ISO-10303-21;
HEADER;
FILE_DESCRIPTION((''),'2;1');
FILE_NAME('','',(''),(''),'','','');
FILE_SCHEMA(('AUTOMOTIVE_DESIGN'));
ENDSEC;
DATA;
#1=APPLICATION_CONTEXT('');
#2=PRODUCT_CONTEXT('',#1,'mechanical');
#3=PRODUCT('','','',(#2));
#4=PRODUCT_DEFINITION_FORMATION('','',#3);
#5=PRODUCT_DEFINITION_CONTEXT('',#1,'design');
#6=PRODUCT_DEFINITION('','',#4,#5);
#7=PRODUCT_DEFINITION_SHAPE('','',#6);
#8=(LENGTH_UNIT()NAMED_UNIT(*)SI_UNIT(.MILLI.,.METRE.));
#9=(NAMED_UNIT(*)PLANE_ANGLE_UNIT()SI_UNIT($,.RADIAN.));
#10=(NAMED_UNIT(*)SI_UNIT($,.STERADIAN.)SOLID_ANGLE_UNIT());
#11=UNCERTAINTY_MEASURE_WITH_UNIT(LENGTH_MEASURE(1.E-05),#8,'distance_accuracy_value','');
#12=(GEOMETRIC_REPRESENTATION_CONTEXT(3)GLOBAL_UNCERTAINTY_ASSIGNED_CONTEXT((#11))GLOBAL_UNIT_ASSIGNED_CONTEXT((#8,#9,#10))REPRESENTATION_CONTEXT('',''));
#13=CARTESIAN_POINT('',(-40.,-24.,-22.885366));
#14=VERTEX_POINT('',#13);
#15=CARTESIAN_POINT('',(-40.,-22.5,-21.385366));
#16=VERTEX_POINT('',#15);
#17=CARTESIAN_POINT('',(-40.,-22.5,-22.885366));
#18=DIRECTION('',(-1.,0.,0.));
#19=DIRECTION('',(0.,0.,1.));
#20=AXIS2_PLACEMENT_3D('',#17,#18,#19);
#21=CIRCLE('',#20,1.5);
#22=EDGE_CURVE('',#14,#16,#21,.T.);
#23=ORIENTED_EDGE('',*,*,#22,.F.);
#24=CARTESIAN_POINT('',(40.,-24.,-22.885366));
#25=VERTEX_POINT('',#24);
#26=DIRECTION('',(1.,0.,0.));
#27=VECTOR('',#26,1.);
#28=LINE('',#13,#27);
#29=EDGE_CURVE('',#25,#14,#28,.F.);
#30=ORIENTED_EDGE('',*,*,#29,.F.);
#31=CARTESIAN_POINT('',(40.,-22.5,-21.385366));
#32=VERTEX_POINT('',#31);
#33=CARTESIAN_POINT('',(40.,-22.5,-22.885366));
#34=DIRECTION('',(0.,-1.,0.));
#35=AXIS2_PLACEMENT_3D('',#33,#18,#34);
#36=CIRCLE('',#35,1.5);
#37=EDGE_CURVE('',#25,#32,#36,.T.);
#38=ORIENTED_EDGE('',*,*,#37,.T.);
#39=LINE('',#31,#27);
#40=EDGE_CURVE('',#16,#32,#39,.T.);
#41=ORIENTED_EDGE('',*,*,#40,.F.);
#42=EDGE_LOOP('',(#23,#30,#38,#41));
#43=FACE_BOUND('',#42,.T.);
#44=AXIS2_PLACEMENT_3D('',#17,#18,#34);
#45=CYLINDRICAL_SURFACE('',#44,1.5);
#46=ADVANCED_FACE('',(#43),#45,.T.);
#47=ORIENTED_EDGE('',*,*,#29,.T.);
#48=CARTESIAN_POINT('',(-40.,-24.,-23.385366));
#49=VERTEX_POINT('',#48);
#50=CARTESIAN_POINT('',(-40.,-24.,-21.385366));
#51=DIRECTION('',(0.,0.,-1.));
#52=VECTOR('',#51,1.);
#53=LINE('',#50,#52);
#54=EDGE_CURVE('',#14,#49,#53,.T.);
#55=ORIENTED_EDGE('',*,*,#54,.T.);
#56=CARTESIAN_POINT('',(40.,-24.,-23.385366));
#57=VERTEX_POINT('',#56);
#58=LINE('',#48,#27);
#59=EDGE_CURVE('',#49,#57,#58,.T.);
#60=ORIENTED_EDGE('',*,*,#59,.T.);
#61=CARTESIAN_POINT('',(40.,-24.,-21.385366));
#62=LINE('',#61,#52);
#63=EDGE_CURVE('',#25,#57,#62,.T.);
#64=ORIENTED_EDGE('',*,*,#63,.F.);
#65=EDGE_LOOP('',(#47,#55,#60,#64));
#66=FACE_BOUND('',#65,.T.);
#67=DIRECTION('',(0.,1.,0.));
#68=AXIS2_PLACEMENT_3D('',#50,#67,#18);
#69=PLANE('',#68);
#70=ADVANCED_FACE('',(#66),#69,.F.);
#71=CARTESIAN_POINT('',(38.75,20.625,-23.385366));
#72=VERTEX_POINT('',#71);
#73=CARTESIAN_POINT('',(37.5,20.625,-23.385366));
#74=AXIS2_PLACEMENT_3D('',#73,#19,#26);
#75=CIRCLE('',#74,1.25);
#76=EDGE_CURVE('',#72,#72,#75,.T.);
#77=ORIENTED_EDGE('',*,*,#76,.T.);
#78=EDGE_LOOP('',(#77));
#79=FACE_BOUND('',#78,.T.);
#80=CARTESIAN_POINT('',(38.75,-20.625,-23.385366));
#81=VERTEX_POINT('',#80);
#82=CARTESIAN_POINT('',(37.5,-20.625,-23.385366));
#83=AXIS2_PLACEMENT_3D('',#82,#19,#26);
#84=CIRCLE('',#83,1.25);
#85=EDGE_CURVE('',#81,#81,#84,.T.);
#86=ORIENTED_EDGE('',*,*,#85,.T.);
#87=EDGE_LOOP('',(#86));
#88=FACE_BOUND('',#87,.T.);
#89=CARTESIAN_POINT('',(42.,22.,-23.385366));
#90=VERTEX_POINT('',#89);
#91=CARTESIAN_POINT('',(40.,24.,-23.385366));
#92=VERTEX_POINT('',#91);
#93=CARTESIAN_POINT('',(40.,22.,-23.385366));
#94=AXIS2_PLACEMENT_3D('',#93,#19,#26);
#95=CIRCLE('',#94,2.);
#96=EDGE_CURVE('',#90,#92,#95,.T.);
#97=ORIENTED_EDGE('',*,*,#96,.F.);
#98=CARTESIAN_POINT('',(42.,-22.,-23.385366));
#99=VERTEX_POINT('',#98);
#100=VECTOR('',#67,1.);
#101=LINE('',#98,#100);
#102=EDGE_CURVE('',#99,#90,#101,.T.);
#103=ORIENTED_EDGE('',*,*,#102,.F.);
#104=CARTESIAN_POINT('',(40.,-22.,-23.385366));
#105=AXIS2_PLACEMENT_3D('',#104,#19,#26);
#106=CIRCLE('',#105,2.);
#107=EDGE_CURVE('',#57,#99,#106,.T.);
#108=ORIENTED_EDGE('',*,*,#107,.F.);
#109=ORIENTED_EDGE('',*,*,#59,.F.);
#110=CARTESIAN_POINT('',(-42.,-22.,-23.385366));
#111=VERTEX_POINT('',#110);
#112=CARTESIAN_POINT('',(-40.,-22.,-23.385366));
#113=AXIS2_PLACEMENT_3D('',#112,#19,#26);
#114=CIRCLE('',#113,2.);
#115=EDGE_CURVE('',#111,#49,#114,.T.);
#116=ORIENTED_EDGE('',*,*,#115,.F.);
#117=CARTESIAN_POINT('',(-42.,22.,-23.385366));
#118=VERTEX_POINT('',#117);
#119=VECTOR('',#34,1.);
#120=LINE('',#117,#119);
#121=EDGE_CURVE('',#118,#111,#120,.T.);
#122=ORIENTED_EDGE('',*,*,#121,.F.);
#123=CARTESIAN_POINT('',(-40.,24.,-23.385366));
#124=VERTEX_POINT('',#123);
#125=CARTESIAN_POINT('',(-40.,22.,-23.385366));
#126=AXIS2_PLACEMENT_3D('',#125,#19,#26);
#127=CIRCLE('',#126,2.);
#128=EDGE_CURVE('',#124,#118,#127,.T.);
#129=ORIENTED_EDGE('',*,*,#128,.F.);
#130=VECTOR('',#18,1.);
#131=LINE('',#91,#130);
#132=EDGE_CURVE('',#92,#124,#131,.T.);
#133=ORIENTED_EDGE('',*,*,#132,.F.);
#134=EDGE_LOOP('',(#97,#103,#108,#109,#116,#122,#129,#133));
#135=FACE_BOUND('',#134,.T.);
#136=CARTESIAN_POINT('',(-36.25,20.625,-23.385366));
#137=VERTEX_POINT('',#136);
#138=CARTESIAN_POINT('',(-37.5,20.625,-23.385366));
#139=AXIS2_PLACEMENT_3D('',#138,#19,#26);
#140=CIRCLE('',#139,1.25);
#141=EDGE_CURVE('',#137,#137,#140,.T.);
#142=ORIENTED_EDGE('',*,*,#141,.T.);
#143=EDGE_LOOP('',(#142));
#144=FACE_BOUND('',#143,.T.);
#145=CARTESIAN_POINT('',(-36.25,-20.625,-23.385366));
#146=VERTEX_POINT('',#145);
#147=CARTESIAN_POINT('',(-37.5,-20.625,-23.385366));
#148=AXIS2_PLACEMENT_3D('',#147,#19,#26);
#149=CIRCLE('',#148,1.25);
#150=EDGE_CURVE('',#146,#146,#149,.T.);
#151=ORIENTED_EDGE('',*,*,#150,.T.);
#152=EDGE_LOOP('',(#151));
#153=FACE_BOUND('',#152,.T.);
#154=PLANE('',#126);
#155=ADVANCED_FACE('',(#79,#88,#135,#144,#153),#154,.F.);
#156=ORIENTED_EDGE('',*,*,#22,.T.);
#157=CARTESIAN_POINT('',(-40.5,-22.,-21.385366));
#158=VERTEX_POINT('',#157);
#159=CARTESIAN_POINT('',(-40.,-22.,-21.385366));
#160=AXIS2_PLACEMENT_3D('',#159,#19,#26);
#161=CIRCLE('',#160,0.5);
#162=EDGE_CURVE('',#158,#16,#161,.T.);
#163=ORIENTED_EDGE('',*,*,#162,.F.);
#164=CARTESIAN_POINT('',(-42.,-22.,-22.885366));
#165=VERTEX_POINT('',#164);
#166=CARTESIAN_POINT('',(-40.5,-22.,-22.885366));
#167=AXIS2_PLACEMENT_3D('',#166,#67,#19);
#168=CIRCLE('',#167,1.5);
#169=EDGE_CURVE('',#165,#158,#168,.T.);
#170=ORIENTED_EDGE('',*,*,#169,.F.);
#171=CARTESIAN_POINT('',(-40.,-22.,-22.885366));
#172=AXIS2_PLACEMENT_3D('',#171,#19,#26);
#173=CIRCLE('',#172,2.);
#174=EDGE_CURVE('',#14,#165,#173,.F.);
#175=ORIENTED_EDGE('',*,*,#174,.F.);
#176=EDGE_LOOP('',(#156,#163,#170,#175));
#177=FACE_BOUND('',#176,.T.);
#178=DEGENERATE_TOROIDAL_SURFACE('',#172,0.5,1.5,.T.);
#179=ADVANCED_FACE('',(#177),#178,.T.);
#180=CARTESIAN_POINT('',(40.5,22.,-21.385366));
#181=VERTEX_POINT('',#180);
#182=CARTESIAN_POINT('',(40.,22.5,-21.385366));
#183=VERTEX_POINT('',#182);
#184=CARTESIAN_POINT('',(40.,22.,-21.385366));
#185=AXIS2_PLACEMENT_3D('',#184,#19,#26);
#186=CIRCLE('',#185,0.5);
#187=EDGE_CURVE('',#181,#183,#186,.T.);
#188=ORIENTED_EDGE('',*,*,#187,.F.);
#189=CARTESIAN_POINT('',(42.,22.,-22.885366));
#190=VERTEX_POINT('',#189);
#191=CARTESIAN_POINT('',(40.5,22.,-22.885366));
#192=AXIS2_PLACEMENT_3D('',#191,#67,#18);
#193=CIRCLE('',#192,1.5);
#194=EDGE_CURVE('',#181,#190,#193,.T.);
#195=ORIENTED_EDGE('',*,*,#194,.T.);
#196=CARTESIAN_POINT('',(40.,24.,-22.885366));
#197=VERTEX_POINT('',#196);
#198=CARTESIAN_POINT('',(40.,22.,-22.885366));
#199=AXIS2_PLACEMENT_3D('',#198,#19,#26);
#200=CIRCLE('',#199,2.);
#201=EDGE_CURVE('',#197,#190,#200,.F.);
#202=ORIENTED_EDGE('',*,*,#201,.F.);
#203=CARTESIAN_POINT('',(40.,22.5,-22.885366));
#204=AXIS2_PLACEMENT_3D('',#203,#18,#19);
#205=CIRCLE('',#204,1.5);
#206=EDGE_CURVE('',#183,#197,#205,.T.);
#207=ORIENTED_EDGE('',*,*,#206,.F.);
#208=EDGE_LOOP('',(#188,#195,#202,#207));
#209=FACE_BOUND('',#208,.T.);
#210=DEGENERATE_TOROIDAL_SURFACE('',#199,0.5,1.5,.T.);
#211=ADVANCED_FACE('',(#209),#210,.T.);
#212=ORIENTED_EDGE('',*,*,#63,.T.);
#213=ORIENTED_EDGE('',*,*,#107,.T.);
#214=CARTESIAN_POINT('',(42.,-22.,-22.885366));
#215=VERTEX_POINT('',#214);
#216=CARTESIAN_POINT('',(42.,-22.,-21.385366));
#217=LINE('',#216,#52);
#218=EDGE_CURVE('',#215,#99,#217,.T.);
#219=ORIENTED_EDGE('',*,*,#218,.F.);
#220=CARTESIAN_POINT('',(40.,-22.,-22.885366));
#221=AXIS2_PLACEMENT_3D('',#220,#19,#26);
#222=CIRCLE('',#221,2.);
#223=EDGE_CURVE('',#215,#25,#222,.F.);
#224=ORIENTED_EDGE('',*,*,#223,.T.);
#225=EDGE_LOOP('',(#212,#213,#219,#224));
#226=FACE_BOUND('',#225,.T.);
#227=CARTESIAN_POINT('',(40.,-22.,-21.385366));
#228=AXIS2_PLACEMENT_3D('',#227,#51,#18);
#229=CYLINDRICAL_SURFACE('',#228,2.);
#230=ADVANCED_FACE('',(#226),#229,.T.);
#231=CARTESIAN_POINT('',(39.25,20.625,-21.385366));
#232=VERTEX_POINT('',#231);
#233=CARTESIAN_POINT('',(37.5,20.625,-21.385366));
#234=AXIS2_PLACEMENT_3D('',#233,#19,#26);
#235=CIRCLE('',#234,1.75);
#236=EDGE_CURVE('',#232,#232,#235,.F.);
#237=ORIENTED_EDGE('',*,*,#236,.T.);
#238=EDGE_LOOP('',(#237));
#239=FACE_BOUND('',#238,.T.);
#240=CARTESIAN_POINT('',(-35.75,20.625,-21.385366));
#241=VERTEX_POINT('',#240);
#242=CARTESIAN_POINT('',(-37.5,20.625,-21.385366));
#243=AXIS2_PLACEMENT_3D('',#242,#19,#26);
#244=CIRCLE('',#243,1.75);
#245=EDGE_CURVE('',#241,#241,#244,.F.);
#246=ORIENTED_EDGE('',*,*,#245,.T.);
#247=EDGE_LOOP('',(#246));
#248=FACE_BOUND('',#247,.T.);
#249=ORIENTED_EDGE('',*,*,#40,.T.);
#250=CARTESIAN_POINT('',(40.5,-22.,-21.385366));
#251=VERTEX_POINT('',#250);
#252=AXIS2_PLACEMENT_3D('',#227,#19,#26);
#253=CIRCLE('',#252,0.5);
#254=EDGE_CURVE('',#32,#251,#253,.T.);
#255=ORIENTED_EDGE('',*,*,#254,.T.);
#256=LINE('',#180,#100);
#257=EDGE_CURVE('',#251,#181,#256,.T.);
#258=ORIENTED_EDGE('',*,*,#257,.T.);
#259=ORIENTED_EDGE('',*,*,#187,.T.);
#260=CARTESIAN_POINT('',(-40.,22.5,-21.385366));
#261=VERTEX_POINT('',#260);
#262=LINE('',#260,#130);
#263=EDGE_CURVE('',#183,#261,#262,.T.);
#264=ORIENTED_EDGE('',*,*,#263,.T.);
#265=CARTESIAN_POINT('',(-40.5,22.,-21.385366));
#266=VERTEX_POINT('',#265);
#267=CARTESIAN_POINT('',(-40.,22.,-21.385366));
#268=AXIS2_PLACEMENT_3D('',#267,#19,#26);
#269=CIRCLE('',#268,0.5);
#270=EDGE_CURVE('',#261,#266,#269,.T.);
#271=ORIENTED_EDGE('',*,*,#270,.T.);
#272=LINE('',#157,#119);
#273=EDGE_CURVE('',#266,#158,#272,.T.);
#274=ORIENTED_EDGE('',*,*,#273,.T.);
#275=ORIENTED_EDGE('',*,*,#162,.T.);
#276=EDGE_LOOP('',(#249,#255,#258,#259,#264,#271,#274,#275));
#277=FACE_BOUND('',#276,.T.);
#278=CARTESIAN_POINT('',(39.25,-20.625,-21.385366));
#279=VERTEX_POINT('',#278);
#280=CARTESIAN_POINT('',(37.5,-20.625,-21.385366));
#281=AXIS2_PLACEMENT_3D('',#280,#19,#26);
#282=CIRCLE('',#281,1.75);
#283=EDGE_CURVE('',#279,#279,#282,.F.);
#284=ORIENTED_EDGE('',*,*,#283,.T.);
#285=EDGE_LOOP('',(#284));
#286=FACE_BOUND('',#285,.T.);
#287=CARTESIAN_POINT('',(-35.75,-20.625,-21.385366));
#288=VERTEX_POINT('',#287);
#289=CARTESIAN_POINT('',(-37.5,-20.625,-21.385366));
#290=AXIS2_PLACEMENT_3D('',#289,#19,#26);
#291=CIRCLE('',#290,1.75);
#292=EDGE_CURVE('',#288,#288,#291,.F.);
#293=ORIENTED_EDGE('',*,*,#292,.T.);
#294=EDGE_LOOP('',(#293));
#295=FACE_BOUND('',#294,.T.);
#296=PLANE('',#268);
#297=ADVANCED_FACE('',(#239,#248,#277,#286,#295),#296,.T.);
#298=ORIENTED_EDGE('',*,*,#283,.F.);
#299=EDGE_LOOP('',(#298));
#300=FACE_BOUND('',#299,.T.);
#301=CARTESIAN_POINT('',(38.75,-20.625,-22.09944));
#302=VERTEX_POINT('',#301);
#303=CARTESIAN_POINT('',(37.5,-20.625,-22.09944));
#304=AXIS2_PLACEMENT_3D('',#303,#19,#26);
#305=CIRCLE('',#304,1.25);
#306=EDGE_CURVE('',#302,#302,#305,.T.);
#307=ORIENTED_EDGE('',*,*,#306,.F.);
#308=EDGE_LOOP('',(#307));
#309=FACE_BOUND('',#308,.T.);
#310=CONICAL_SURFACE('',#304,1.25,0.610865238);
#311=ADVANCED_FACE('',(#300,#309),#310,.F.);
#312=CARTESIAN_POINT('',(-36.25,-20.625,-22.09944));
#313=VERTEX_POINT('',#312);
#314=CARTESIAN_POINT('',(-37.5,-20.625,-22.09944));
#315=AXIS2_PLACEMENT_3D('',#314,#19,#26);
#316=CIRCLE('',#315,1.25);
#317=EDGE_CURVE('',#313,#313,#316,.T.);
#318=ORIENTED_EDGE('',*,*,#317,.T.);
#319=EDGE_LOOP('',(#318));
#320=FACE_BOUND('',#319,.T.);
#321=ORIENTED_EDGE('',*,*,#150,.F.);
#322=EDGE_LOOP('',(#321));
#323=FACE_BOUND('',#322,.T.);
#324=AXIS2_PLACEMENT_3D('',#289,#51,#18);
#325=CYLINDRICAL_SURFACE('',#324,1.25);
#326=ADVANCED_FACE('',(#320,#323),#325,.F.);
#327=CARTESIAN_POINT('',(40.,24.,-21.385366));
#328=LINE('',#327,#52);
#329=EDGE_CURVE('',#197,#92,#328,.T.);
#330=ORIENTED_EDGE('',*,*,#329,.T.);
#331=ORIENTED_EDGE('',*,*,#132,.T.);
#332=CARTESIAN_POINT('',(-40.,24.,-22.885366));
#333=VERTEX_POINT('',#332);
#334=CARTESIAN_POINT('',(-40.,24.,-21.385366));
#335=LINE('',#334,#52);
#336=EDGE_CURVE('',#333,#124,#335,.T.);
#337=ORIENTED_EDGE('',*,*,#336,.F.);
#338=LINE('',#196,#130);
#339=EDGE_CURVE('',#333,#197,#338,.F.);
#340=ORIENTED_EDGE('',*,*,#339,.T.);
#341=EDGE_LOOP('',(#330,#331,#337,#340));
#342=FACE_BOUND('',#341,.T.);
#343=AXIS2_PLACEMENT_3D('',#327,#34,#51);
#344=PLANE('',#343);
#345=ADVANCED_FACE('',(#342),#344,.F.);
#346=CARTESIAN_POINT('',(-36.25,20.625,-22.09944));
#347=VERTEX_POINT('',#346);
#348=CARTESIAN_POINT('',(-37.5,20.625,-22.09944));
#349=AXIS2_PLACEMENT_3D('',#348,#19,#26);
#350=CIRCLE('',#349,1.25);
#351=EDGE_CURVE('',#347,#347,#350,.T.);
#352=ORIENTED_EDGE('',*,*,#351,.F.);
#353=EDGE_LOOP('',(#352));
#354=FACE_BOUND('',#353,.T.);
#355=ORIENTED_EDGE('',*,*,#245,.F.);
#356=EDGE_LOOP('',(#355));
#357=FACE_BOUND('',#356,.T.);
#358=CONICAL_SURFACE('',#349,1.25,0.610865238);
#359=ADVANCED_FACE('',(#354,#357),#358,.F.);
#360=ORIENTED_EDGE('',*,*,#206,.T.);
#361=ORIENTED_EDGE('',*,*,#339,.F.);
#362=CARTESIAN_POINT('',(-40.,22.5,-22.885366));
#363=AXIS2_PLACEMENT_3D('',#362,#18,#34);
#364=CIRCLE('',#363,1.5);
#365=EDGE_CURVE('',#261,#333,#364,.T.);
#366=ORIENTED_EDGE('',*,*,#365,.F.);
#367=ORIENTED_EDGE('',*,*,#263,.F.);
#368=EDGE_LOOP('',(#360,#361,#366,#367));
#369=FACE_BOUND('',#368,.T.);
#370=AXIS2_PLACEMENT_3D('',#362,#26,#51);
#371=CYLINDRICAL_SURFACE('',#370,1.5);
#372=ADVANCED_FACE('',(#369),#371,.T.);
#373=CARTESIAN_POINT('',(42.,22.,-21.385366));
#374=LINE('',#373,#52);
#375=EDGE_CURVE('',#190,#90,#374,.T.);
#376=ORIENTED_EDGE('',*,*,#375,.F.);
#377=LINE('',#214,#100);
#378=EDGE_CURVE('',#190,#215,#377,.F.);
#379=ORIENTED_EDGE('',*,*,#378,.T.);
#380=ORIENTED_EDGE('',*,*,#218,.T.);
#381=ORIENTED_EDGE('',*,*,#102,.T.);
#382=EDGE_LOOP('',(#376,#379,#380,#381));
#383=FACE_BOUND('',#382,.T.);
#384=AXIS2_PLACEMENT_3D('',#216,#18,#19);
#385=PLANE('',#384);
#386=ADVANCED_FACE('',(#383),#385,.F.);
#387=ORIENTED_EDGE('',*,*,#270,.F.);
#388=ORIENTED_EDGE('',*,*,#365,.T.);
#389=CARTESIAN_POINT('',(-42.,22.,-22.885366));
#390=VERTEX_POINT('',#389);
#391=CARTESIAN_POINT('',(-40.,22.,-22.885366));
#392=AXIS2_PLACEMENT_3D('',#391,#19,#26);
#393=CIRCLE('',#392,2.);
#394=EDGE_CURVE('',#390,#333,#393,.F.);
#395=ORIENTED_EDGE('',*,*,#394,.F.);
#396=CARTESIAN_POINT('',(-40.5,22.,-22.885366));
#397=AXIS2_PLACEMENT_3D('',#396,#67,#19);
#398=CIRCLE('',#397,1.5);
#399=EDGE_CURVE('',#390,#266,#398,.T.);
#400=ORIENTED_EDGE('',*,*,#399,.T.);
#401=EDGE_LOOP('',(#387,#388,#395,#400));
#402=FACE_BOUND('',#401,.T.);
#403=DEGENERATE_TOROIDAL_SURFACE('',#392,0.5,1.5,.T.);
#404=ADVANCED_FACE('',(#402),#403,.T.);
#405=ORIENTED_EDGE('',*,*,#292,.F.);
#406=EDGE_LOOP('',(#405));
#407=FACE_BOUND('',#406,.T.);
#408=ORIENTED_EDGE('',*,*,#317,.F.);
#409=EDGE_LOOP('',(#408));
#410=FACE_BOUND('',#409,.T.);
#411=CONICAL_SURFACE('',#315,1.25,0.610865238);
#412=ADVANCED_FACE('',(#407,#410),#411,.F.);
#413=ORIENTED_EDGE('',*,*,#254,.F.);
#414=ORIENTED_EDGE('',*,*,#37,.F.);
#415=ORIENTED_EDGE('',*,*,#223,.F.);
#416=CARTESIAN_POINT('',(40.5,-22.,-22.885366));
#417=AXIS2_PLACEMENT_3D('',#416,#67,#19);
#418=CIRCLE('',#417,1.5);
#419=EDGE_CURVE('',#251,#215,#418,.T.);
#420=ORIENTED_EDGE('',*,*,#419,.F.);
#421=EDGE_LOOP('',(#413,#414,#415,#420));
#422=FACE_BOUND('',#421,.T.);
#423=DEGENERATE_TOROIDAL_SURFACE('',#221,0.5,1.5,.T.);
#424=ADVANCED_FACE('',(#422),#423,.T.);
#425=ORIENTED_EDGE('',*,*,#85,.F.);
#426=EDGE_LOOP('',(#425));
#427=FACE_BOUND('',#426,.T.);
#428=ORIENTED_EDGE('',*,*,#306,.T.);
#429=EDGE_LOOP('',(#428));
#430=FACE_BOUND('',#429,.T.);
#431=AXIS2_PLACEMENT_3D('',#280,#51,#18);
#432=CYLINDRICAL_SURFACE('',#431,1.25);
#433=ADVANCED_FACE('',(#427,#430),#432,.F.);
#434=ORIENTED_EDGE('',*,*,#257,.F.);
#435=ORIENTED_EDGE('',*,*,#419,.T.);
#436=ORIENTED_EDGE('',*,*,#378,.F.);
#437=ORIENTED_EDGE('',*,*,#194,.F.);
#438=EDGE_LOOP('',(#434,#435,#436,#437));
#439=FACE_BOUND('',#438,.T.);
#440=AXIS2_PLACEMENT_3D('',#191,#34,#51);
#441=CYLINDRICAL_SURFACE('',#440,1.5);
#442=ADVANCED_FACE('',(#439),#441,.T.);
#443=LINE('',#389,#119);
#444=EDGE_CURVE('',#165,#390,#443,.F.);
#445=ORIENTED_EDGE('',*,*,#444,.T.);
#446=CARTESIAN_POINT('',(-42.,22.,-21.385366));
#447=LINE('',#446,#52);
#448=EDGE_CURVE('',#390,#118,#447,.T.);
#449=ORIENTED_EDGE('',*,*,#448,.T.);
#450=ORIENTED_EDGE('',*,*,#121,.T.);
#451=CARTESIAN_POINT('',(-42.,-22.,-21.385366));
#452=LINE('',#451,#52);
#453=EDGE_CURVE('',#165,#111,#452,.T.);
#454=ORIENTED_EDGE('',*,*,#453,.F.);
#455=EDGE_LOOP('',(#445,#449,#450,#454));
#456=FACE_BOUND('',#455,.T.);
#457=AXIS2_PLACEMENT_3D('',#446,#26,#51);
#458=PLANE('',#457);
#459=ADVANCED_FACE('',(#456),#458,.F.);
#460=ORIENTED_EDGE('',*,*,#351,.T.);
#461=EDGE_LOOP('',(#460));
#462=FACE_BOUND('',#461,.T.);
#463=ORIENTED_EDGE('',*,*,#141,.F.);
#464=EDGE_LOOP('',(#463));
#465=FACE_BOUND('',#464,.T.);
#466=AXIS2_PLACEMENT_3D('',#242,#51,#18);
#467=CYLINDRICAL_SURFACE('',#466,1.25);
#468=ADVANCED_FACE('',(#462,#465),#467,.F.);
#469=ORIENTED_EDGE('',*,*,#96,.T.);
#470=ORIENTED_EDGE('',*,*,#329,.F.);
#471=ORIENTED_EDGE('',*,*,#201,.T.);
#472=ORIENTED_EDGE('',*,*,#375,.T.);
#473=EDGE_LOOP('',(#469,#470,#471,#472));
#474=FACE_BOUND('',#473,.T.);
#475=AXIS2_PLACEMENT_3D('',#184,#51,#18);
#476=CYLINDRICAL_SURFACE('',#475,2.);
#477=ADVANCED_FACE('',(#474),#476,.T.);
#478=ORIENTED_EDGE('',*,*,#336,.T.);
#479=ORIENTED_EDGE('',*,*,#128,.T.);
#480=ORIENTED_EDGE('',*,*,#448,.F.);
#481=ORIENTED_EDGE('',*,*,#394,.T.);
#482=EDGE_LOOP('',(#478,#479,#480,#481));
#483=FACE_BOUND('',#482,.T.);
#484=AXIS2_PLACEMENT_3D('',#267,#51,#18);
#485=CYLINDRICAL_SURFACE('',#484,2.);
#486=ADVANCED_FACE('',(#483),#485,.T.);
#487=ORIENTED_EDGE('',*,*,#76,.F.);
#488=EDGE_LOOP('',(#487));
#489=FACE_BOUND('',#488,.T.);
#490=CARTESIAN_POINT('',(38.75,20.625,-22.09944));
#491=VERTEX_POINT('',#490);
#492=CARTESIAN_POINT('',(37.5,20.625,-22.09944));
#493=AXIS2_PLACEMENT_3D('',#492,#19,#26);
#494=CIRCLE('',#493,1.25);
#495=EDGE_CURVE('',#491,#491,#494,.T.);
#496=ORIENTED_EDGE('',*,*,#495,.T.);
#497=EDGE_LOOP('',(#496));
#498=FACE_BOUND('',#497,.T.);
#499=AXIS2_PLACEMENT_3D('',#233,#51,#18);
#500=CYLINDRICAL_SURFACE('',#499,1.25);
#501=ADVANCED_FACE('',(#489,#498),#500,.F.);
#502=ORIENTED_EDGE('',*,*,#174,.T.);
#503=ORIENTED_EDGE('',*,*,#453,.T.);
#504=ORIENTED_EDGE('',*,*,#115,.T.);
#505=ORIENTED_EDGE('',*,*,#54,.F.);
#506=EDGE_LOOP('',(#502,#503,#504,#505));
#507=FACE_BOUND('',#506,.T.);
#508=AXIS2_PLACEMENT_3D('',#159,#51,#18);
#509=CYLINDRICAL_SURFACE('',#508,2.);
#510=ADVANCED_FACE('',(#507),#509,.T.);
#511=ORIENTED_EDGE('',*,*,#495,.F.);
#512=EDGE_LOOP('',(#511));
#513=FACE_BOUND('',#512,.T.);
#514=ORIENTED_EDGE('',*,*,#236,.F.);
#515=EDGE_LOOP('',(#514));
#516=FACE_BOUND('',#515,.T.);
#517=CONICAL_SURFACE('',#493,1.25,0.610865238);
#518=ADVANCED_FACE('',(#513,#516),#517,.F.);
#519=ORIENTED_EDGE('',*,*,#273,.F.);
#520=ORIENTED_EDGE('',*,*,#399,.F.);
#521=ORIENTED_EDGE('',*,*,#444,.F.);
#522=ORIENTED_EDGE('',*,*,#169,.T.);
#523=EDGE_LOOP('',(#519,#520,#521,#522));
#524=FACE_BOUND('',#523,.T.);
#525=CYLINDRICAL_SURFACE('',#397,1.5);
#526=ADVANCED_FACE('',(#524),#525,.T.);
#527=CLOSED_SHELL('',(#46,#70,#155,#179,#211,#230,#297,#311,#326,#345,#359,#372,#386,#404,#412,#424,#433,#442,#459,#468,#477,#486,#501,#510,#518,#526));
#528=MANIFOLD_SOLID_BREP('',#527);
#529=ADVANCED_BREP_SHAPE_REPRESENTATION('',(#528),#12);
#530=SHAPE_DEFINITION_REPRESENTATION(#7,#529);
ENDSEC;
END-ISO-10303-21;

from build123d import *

# Parameters (mm, degrees)
SKETCH_2_R      = 1.25
EXTRUDE_1_DEPTH = 2
FILLET_1_R      = 1.5
CHAMFER_1_SIZE  = 0.5
CHAMFER_1_SIZE2 = 0.714074003


with BuildPart() as part:
    # 草图2 → 凸台-拉伸1 (new body)
    with BuildSketch(Plane.XY.offset(-23.385365979)):
        with BuildLine():
            Line((-42, 22), (-42, -22))
            ThreePointArc((-42, -22), (-41.414213562, -23.414213562), (-40, -24))
            Line((-40, -24), (40, -24))
            ThreePointArc((40, -24), (41.414213562, -23.414213562), (42, -22))
            Line((42, -22), (42, 22))
            ThreePointArc((42, 22), (41.414213562, 23.414213562), (40, 24))
            Line((40, 24), (-40, 24))
            ThreePointArc((-40, 24), (-41.414213562, 23.414213562), (-42, 22))
        make_face()
        with Locations((37.5, -20.625)):
            Circle(SKETCH_2_R, mode=Mode.SUBTRACT)
        with Locations((-37.5, -20.625)):
            Circle(SKETCH_2_R, mode=Mode.SUBTRACT)
        with Locations((37.5, 20.625)):
            Circle(SKETCH_2_R, mode=Mode.SUBTRACT)
        with Locations((-37.5, 20.625)):
            Circle(SKETCH_2_R, mode=Mode.SUBTRACT)
    extrude(amount=EXTRUDE_1_DEPTH)

    # 圆角1
    fillet_1_edges = [part.edges().sort_by_distance(p)[0] for p in [
        (-41.414213562, -23.414213562, -21.385365979),
        (0, -24, -21.385365979),
        (41.414213562, -23.414213562, -21.385365979),
        (42, 0, -21.385365979),
        (41.414213562, 23.414213562, -21.385365979),
        (0, 24, -21.385365979),
        (-41.414213562, 23.414213562, -21.385365979),
        (-42, 0, -21.385365979),
    ]]
    fillet(fillet_1_edges, radius=FILLET_1_R)

    # 倒角1
    chamfer_1_edges = [part.edges().sort_by_distance(p)[0] for p in [
        (36.25, -20.625, -21.385365979),
        (-38.75, -20.625, -21.385365979),
        (36.25, 20.625, -21.385365979),
        (-38.75, 20.625, -21.385365979),
    ]]
    chamfer_1_side = [part.faces().sort_by_distance(p)[0] for p in [
        (0, 0, -21.385365979),
    ]]
    chamfer(chamfer_1_edges, length=CHAMFER_1_SIZE, length2=CHAMFER_1_SIZE2, reference=chamfer_1_side[0])


solid = part.part
